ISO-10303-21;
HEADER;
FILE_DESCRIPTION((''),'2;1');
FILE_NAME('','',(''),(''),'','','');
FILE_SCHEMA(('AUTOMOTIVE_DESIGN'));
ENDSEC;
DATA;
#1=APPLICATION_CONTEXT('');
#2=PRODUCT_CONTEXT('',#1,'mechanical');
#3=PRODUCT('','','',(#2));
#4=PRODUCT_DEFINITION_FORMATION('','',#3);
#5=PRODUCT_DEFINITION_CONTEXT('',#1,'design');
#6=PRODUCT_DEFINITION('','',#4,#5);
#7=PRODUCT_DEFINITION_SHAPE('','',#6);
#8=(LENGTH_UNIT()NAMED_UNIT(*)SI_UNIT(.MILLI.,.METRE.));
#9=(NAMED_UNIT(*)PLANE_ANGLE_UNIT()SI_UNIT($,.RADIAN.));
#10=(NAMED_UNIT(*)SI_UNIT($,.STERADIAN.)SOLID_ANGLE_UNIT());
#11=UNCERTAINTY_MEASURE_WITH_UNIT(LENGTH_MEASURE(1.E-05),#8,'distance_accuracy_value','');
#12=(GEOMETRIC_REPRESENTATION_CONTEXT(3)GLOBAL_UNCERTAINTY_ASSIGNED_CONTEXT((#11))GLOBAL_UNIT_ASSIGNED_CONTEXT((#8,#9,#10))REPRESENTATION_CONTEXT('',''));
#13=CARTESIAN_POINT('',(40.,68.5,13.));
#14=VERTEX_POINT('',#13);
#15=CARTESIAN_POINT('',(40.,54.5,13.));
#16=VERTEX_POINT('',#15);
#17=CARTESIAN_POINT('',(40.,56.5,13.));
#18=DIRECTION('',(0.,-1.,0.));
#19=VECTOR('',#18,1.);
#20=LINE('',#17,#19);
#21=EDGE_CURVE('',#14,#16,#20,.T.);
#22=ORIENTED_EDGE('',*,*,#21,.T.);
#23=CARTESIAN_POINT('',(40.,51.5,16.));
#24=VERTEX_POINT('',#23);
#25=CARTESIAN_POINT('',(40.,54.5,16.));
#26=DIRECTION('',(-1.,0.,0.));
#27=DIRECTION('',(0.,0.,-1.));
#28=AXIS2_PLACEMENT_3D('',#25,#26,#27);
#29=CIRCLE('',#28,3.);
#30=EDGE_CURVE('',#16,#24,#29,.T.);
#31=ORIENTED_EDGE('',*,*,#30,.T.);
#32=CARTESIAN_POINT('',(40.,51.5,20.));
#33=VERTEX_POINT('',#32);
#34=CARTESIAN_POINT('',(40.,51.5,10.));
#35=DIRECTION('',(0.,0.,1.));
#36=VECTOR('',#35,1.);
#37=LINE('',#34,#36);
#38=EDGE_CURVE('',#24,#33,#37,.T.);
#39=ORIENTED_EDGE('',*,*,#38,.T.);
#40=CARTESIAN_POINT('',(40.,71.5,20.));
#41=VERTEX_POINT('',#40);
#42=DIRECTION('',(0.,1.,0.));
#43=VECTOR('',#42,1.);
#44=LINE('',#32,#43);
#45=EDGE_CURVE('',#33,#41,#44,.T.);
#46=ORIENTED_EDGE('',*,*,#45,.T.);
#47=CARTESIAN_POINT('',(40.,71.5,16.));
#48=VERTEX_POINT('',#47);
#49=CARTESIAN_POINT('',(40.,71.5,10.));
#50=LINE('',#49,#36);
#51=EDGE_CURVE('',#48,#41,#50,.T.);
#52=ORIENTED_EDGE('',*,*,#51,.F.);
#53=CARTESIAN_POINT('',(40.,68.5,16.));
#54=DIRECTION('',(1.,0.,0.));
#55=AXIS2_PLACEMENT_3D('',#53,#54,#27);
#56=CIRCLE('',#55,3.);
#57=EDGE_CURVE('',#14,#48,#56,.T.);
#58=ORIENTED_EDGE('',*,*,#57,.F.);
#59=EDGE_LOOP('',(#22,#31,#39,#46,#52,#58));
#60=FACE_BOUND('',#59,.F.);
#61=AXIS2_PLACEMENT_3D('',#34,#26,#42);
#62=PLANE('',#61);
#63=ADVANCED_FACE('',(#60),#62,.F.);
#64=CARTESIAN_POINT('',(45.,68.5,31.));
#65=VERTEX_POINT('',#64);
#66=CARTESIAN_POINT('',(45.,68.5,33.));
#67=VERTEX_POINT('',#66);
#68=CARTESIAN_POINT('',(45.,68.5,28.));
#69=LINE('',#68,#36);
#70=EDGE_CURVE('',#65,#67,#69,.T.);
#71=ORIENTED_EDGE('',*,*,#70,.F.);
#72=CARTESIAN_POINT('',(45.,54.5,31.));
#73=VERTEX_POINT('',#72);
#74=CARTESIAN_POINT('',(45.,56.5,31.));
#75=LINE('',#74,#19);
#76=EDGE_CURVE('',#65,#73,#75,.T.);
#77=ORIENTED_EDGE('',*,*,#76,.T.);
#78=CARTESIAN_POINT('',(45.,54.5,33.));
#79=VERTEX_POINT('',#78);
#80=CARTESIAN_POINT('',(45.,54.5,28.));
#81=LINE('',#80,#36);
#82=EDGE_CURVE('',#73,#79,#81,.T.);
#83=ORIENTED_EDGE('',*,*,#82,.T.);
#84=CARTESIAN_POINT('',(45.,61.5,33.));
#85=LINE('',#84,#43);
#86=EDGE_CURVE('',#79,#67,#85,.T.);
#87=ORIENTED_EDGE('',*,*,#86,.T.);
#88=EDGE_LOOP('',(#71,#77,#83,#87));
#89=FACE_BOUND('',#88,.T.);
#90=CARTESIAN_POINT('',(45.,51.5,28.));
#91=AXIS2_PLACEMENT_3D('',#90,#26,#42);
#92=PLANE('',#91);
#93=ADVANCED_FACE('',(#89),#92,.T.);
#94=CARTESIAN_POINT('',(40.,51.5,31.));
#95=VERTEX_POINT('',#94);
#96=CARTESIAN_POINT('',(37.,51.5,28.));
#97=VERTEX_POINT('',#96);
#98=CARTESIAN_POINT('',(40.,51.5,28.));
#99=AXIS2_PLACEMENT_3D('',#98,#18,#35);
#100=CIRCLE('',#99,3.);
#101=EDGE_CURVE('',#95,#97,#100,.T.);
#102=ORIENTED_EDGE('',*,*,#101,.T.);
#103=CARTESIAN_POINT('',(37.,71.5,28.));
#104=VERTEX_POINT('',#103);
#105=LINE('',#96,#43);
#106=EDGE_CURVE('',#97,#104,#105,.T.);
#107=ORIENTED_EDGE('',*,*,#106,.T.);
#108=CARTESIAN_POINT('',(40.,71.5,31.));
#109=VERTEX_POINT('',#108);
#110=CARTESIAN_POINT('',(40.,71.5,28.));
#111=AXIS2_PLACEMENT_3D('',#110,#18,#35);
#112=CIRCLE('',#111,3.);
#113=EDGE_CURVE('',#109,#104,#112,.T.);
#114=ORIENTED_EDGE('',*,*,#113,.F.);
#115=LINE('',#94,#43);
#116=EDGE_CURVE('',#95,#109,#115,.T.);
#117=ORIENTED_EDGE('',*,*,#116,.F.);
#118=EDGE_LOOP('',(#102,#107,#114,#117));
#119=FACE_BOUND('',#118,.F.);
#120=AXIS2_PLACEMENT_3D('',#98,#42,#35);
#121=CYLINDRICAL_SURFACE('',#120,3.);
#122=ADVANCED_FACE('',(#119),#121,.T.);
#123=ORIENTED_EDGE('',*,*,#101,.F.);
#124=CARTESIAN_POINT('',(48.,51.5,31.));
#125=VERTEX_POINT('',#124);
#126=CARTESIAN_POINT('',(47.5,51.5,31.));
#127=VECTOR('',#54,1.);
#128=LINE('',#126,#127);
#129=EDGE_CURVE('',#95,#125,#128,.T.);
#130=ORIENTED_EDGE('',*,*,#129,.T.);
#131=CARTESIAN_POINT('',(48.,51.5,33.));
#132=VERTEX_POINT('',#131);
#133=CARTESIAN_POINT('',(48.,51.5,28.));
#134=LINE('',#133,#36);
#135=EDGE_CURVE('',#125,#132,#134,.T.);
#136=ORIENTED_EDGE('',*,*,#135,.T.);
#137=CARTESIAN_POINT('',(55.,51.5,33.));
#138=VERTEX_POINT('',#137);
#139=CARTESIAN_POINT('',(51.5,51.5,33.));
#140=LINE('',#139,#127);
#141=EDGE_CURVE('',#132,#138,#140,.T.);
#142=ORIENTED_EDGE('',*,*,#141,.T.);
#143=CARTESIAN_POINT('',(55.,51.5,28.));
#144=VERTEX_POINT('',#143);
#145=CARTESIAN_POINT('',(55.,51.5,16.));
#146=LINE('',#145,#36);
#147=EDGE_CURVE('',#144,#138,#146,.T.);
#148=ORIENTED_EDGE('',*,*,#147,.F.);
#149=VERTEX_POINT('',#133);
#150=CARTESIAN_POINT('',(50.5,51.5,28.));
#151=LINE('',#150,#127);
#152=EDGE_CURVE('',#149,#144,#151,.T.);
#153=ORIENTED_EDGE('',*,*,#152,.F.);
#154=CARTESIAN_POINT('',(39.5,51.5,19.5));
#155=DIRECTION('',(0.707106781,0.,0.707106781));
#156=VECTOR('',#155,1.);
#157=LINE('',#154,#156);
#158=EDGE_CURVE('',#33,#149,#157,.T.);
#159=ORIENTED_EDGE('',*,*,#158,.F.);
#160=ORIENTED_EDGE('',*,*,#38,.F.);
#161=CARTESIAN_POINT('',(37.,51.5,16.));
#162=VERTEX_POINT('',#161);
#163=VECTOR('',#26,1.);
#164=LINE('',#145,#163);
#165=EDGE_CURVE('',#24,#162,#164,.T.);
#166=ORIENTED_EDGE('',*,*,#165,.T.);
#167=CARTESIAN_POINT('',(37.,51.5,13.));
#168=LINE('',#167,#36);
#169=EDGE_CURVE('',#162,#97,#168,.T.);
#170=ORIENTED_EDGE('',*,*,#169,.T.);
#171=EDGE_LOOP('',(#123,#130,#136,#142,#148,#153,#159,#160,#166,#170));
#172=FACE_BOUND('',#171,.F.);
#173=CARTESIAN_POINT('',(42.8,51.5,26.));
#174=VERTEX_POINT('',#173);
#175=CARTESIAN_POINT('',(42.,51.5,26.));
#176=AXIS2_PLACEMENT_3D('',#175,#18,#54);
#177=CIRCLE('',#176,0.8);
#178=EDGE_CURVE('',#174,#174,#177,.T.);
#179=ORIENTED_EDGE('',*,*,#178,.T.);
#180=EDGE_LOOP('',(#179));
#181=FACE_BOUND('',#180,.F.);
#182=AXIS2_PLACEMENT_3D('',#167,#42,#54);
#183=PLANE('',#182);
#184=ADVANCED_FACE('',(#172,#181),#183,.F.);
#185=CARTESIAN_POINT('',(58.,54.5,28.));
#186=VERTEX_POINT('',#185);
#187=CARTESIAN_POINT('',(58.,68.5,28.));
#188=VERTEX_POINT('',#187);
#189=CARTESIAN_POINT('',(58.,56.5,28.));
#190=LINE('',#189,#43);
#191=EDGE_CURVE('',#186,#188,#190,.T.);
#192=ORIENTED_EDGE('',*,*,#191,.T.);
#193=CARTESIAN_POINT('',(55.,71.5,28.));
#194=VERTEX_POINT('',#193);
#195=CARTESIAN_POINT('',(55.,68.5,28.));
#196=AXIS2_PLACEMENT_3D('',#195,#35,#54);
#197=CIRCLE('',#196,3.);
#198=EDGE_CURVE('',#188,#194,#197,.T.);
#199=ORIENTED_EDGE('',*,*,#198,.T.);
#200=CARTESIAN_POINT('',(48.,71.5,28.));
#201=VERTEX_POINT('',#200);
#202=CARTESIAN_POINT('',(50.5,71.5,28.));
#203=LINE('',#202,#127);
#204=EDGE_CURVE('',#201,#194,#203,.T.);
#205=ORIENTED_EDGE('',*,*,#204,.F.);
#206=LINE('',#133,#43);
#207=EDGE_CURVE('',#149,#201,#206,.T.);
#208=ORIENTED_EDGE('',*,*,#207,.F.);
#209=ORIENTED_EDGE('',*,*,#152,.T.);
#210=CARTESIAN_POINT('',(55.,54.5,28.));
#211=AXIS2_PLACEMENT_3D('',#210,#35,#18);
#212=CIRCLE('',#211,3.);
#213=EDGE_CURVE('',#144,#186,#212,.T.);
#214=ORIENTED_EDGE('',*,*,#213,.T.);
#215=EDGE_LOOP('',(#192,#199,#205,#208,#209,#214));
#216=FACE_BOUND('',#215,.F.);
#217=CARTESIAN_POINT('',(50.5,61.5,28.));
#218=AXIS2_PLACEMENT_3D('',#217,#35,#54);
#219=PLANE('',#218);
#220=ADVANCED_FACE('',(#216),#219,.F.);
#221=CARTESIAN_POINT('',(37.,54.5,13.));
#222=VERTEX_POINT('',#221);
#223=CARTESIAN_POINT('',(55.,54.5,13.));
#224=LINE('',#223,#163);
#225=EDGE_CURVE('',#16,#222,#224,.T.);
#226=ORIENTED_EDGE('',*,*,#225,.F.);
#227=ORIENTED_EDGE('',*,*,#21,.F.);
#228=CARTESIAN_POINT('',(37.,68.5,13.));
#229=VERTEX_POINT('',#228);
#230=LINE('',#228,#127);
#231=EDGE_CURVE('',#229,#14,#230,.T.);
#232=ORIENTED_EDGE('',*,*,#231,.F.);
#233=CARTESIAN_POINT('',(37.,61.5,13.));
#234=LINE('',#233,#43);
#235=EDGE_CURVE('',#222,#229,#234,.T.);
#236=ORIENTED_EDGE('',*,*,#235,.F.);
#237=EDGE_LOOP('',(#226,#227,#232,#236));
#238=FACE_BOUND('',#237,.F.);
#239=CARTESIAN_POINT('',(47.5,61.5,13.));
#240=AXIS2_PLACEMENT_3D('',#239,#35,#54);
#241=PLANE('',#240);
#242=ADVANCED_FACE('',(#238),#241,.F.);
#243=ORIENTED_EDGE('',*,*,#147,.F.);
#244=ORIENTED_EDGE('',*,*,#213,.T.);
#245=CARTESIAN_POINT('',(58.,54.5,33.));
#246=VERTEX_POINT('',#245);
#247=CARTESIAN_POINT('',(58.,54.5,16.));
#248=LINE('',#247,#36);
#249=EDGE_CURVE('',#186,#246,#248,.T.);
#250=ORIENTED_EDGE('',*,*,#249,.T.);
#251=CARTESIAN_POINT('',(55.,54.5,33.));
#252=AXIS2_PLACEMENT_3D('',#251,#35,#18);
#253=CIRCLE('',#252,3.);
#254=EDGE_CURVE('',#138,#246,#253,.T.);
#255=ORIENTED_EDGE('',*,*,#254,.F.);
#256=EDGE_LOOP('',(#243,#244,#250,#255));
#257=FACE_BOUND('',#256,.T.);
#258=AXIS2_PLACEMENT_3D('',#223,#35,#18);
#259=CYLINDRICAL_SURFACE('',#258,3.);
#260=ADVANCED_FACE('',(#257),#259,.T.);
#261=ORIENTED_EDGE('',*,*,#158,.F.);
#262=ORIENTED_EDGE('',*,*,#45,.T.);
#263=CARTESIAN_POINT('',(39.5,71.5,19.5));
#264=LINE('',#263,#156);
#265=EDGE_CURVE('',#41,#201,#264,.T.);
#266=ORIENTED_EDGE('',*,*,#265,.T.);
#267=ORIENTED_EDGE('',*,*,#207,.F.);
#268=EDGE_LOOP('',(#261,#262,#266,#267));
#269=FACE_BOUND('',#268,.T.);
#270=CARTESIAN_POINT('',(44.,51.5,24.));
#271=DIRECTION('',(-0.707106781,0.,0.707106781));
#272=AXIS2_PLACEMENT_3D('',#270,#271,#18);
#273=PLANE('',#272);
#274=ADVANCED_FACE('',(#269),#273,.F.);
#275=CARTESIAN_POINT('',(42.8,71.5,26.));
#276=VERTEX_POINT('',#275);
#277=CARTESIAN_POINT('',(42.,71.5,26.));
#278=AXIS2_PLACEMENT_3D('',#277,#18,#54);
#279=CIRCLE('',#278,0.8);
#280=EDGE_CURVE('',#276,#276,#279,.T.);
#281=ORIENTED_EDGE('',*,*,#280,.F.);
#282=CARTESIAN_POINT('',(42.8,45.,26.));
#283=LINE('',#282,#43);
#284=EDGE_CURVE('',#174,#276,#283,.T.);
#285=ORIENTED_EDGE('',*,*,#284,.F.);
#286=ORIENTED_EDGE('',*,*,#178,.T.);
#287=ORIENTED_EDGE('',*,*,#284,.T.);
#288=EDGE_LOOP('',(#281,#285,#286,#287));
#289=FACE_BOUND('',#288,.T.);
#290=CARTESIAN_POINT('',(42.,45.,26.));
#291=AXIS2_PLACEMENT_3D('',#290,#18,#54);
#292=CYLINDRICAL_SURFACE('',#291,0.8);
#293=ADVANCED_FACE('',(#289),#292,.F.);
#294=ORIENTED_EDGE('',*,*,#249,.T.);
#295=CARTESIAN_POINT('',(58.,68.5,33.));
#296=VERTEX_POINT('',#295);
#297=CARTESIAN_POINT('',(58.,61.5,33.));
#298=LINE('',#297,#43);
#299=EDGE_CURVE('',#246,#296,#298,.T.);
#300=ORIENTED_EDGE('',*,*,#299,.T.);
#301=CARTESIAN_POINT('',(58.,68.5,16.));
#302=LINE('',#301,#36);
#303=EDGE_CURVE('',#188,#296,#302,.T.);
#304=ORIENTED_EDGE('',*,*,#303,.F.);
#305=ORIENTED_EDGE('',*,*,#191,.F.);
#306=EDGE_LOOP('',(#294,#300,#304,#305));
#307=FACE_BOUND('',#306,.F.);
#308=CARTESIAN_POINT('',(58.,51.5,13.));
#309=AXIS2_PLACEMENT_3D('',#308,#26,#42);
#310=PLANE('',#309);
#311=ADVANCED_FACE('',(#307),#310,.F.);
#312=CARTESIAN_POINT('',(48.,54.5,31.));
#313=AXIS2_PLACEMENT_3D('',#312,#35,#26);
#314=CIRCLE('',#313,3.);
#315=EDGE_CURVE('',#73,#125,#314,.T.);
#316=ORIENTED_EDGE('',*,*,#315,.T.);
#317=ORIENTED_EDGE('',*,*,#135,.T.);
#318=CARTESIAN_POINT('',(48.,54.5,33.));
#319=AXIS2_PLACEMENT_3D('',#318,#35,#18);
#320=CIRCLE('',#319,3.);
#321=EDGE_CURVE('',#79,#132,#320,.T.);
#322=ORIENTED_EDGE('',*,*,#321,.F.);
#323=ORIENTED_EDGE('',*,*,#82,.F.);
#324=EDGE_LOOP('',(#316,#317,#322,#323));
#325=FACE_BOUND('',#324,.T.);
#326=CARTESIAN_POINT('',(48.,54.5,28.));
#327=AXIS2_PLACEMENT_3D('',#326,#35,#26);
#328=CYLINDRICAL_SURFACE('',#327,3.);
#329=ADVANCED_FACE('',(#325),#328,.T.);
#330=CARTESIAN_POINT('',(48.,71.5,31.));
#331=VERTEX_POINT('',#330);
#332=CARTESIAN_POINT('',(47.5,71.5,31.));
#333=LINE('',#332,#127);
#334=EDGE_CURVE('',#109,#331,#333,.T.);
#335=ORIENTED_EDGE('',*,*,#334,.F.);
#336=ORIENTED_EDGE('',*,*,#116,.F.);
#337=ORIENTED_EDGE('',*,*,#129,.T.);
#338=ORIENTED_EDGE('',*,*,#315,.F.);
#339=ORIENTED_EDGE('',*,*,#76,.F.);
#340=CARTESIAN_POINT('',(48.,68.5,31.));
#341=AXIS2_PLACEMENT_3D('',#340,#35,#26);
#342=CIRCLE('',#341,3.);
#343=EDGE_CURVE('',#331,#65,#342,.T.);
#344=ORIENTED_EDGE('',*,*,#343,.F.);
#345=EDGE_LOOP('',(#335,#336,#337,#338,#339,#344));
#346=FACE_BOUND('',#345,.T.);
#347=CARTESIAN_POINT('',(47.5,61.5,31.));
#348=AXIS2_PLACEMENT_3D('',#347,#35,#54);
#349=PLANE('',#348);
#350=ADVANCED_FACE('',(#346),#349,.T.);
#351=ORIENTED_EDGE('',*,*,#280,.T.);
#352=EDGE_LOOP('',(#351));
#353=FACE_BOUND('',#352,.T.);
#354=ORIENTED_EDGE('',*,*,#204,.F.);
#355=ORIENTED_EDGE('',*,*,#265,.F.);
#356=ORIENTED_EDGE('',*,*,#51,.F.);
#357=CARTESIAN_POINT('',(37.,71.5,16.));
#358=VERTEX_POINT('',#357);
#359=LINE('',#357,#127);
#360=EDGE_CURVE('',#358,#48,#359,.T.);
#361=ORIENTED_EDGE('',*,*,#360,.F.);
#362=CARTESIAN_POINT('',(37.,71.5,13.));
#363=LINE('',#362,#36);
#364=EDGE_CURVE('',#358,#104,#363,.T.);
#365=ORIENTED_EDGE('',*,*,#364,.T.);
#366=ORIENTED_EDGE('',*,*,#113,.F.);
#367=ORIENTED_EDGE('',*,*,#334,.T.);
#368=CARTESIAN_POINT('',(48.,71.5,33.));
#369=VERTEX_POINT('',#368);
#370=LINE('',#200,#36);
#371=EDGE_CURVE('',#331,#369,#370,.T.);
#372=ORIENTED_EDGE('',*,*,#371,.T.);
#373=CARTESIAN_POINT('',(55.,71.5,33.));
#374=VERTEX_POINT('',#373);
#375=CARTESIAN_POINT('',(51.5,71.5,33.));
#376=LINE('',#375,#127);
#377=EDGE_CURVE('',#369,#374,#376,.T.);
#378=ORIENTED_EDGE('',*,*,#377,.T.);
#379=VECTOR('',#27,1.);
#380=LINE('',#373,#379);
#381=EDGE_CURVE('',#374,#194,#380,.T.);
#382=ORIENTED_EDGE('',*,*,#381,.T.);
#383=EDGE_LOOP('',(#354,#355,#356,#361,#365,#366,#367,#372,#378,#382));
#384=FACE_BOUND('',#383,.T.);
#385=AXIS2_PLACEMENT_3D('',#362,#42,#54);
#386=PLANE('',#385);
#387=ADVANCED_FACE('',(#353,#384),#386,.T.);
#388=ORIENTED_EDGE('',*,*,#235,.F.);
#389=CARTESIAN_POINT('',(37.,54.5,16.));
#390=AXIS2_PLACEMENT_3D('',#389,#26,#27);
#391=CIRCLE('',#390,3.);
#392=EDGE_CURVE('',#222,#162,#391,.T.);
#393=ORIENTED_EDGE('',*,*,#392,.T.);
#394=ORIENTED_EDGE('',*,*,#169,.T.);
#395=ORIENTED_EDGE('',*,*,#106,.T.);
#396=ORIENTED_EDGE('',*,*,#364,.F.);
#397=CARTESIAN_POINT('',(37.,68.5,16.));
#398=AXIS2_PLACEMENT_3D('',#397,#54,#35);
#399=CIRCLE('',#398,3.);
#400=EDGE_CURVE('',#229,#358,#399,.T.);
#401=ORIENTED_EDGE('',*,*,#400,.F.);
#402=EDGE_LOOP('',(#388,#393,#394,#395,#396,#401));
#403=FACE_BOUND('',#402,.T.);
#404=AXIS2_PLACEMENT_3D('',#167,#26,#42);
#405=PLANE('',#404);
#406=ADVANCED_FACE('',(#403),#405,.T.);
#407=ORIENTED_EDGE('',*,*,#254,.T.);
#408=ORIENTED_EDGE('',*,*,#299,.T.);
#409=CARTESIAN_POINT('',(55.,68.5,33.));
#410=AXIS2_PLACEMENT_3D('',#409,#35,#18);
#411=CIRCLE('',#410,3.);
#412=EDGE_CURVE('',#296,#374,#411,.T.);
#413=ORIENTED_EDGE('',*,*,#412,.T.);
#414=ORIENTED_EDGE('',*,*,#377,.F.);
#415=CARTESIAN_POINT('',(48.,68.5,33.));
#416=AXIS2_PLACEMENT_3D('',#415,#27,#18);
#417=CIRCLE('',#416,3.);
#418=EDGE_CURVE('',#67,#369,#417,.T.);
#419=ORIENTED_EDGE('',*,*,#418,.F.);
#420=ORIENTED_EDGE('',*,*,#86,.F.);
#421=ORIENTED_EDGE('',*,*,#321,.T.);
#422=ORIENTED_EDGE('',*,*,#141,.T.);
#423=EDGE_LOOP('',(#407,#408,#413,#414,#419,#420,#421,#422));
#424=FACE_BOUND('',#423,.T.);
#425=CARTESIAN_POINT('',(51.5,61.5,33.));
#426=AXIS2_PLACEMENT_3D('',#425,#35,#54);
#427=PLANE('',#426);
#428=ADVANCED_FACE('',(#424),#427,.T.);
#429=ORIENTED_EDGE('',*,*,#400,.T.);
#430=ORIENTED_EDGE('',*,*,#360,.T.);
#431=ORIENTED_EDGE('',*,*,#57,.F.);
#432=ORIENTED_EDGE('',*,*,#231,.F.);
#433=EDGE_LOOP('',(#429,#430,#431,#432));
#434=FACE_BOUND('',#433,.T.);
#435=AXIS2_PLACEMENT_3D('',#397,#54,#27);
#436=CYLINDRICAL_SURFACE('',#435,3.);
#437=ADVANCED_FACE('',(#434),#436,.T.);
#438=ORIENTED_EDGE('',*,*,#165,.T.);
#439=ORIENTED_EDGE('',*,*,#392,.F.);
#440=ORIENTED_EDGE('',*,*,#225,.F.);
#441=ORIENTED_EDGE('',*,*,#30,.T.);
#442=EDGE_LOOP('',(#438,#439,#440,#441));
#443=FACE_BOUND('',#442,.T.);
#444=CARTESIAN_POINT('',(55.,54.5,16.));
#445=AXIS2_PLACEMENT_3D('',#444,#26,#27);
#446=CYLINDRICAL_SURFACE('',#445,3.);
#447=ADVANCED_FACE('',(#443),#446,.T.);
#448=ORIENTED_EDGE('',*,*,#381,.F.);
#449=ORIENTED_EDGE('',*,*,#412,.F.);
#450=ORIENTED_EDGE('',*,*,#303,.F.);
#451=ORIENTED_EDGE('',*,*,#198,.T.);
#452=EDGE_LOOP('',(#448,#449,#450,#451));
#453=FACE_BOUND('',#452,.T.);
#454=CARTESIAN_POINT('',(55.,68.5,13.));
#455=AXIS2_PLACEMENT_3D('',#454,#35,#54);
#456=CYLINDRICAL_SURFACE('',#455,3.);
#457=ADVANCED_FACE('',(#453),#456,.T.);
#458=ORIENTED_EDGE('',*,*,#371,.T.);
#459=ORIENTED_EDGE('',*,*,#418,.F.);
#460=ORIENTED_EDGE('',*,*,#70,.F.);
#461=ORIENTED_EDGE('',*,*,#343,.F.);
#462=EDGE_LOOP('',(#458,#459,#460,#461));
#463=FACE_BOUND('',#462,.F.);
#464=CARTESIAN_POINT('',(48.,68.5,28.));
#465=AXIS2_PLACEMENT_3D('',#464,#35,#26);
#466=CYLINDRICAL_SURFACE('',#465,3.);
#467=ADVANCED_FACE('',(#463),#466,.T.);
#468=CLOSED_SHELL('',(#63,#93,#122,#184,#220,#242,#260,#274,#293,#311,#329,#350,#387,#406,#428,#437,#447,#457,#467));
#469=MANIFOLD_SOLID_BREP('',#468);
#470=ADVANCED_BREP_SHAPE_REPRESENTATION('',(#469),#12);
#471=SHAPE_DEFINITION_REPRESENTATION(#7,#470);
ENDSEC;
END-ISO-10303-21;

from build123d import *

# Parameters (mm, degrees)
CYLINDER038_R     = 0.8
CYLINDER038_DEPTH = 30
BOX040_W          = 21
BOX040_H          = 20
BOX040_DEPTH      = 18
CHAMFER_SIZE      = 8
BOX041_W          = 13
BOX041_H          = 20
BOX041_DEPTH      = 5
FILLET002033_R    = 3
BOX031_W          = 21
BOX031_H          = 20
BOX031_DEPTH      = 18
FILLET002030_R    = 3
FILLET002031_R    = 3
FILLET002032_R    = 3


with BuildPart() as screwholle019:
    # Cylinder038 → Cylinder038 (new body)
    with BuildSketch(Plane(origin=(42, 45, 26), x_dir=(1, 0, 0), z_dir=(0, 1, 0))):
        Circle(CYLINDER038_R)
    extrude(amount=CYLINDER038_DEPTH)


with BuildPart() as fusion024:
    # Box040 → Box040 (new body)
    with BuildSketch(Plane(origin=(40, 51.5, 10), x_dir=(1, 0, 0), z_dir=(0, 0, 1))):
        with Locations((10.5, 10)):
            Rectangle(BOX040_W, BOX040_H)
    extrude(amount=BOX040_DEPTH)

    # Chamfer
    chamfer_edges = [fusion024.edges().sort_by_distance(p)[0] for p in [
        (40, 61.5, 28),
    ]]
    chamfer(chamfer_edges, length=CHAMFER_SIZE)

    # Fusion024: union ScrewHolle019
    add(screwholle019.part)


with BuildPart() as fillet002033:
    # Box041 → Box041 (new body)
    with BuildSketch(Plane(origin=(45, 51.5, 28), x_dir=(1, 0, 0), z_dir=(0, 0, 1))):
        with Locations((6.5, 10)):
            Rectangle(BOX041_W, BOX041_H)
    extrude(amount=BOX041_DEPTH)

    # Fillet002033
    fillet002033_edges = [fillet002033.edges().sort_by_distance(p)[0] for p in [
        (45, 51.5, 30.5),
        (45, 71.5, 30.5),
        (58, 51.5, 30.5),
        (58, 71.5, 30.5),
    ]]
    fillet(fillet002033_edges, radius=FILLET002033_R)


with BuildPart() as button:
    # Box031 → Box031 (new body)
    with BuildSketch(Plane(origin=(37, 51.5, 13), x_dir=(1, 0, 0), z_dir=(0, 0, 1))):
        with Locations((10.5, 10)):
            Rectangle(BOX031_W, BOX031_H)
    extrude(amount=BOX031_DEPTH)

    # Fillet002030
    fillet002030_edges = [button.edges().sort_by_distance(p)[0] for p in [
        (58, 51.5, 22),
        (58, 71.5, 22),
    ]]
    fillet(fillet002030_edges, radius=FILLET002030_R)

    # Fillet002031
    fillet002031_edges = [button.edges().sort_by_distance(p)[0] for p in [
        (46, 71.5, 13),
        (46, 51.5, 13),
    ]]
    fillet(fillet002031_edges, radius=FILLET002031_R)

    # Fillet002032
    fillet002032_edges = [button.edges().sort_by_distance(p)[0] for p in [
        (37, 61.5, 31),
    ]]
    fillet(fillet002032_edges, radius=FILLET002032_R)

    # Fusion025: union Fillet002033
    add(fillet002033.part)

    # Cut006: cut Fusion024
    add(fusion024.part, mode=Mode.SUBTRACT)


solid = button.part
